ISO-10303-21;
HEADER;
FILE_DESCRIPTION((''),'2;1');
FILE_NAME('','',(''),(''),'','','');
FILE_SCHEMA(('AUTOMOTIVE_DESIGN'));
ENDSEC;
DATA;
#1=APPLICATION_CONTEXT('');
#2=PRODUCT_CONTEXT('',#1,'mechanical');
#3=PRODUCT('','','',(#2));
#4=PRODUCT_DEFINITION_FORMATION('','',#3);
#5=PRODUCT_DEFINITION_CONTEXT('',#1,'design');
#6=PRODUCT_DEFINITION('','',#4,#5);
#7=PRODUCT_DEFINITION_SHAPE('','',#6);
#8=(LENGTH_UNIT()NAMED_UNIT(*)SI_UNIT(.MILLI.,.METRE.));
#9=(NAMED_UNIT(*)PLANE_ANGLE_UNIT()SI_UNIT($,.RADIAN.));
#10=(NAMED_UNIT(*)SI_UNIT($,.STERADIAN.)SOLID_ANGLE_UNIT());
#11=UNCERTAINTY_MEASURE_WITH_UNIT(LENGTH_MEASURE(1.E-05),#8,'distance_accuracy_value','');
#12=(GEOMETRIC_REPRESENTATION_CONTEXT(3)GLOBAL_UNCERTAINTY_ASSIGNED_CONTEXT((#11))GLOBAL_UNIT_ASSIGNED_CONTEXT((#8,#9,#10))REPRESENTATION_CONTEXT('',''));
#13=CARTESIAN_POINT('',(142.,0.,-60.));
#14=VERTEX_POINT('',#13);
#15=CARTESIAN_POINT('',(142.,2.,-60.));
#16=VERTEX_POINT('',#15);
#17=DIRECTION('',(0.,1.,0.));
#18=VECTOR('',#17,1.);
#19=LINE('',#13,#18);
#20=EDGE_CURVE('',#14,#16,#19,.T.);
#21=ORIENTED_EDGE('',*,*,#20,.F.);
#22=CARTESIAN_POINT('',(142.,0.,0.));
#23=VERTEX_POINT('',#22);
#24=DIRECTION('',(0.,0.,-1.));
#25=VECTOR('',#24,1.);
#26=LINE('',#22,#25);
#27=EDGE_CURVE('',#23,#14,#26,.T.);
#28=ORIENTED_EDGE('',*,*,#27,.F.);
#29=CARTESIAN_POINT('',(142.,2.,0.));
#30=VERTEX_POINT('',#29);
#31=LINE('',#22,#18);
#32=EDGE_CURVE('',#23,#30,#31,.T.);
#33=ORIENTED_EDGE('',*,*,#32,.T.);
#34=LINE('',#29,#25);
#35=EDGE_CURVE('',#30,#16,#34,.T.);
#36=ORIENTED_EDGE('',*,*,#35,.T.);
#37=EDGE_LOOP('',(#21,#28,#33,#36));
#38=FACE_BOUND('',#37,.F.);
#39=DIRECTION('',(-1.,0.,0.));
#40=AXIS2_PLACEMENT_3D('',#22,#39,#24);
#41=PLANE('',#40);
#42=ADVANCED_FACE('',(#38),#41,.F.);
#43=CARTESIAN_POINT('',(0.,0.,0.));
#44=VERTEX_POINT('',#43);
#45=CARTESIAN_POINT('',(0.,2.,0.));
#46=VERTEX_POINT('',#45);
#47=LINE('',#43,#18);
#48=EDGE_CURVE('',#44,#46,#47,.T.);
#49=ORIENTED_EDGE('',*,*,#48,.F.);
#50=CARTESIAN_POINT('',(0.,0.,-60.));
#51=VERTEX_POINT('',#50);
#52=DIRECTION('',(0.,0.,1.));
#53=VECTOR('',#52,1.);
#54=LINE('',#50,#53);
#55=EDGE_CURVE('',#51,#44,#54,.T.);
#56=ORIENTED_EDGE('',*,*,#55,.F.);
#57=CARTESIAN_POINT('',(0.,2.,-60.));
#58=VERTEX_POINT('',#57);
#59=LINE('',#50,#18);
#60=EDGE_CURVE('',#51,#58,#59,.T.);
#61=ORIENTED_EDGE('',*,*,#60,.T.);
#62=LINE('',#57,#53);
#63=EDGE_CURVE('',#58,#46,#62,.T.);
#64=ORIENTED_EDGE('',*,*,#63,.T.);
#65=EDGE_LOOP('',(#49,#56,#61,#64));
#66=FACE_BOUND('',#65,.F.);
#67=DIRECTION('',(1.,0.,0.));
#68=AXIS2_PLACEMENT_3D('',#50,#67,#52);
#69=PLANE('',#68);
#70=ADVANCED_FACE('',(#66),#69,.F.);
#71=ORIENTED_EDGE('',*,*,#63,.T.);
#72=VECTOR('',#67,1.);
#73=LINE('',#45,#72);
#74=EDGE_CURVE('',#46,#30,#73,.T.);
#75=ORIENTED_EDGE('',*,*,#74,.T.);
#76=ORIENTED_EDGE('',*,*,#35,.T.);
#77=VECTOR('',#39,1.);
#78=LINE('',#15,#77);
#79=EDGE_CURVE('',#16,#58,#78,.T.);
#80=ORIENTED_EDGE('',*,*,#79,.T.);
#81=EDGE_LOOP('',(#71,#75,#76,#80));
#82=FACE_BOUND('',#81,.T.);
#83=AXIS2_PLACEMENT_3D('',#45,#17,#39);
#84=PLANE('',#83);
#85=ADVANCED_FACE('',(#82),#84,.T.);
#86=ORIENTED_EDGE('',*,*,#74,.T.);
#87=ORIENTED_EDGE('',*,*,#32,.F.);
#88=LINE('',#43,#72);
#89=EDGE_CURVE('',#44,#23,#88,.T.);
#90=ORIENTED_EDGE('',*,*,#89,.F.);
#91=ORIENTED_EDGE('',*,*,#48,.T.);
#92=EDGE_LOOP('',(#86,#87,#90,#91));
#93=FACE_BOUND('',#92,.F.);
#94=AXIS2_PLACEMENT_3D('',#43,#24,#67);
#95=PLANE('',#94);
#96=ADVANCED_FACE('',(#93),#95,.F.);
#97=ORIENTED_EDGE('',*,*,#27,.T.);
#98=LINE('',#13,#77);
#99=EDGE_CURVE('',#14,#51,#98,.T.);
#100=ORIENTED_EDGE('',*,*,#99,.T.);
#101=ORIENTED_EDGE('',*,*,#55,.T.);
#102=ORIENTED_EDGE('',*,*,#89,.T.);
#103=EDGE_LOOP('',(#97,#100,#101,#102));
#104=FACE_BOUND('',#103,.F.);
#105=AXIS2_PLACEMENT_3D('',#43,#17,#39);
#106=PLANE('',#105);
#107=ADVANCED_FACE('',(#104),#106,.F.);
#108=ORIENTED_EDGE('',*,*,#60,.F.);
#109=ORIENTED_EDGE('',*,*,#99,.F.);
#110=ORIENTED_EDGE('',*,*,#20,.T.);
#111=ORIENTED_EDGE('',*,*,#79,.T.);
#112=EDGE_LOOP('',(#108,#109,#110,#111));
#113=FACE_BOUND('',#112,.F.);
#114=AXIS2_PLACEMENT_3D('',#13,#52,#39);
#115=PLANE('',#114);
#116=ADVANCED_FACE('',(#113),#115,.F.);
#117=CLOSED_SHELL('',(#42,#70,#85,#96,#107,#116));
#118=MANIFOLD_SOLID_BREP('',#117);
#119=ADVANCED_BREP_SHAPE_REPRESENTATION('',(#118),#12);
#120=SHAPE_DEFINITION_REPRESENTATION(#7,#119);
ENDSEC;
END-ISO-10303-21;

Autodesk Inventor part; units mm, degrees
ref_plane "YZ Plane" through (0, 0, 0) normal (1, 0, 0) x (0, 1, 0)
ref_plane "XZ Plane" through (0, 0, 0) normal (0, 1, 0) x (-1, 0, 0)
ref_plane "XY Plane" through (0, 0, 0) normal (0, 0, 1) x (1, 0, 0)
sketch "Boceto1" plane through (0, 0, 0) normal (0, 1, 0) x (-1, 0, 0)
  line L0 (0, 0) -> (-142, 0)
  line L1 (-142, 0) -> (-142, -60)
  line L2 (-142, -60) -> (0, -60)
  line L3 (0, -60) -> (0, 0)
  dimension "d0" = 142
  dimension "d1" = 60
extrude "Extrusión1" add sketch "Boceto1" along normal blind 2
properties part number "base_motor_taladro"
